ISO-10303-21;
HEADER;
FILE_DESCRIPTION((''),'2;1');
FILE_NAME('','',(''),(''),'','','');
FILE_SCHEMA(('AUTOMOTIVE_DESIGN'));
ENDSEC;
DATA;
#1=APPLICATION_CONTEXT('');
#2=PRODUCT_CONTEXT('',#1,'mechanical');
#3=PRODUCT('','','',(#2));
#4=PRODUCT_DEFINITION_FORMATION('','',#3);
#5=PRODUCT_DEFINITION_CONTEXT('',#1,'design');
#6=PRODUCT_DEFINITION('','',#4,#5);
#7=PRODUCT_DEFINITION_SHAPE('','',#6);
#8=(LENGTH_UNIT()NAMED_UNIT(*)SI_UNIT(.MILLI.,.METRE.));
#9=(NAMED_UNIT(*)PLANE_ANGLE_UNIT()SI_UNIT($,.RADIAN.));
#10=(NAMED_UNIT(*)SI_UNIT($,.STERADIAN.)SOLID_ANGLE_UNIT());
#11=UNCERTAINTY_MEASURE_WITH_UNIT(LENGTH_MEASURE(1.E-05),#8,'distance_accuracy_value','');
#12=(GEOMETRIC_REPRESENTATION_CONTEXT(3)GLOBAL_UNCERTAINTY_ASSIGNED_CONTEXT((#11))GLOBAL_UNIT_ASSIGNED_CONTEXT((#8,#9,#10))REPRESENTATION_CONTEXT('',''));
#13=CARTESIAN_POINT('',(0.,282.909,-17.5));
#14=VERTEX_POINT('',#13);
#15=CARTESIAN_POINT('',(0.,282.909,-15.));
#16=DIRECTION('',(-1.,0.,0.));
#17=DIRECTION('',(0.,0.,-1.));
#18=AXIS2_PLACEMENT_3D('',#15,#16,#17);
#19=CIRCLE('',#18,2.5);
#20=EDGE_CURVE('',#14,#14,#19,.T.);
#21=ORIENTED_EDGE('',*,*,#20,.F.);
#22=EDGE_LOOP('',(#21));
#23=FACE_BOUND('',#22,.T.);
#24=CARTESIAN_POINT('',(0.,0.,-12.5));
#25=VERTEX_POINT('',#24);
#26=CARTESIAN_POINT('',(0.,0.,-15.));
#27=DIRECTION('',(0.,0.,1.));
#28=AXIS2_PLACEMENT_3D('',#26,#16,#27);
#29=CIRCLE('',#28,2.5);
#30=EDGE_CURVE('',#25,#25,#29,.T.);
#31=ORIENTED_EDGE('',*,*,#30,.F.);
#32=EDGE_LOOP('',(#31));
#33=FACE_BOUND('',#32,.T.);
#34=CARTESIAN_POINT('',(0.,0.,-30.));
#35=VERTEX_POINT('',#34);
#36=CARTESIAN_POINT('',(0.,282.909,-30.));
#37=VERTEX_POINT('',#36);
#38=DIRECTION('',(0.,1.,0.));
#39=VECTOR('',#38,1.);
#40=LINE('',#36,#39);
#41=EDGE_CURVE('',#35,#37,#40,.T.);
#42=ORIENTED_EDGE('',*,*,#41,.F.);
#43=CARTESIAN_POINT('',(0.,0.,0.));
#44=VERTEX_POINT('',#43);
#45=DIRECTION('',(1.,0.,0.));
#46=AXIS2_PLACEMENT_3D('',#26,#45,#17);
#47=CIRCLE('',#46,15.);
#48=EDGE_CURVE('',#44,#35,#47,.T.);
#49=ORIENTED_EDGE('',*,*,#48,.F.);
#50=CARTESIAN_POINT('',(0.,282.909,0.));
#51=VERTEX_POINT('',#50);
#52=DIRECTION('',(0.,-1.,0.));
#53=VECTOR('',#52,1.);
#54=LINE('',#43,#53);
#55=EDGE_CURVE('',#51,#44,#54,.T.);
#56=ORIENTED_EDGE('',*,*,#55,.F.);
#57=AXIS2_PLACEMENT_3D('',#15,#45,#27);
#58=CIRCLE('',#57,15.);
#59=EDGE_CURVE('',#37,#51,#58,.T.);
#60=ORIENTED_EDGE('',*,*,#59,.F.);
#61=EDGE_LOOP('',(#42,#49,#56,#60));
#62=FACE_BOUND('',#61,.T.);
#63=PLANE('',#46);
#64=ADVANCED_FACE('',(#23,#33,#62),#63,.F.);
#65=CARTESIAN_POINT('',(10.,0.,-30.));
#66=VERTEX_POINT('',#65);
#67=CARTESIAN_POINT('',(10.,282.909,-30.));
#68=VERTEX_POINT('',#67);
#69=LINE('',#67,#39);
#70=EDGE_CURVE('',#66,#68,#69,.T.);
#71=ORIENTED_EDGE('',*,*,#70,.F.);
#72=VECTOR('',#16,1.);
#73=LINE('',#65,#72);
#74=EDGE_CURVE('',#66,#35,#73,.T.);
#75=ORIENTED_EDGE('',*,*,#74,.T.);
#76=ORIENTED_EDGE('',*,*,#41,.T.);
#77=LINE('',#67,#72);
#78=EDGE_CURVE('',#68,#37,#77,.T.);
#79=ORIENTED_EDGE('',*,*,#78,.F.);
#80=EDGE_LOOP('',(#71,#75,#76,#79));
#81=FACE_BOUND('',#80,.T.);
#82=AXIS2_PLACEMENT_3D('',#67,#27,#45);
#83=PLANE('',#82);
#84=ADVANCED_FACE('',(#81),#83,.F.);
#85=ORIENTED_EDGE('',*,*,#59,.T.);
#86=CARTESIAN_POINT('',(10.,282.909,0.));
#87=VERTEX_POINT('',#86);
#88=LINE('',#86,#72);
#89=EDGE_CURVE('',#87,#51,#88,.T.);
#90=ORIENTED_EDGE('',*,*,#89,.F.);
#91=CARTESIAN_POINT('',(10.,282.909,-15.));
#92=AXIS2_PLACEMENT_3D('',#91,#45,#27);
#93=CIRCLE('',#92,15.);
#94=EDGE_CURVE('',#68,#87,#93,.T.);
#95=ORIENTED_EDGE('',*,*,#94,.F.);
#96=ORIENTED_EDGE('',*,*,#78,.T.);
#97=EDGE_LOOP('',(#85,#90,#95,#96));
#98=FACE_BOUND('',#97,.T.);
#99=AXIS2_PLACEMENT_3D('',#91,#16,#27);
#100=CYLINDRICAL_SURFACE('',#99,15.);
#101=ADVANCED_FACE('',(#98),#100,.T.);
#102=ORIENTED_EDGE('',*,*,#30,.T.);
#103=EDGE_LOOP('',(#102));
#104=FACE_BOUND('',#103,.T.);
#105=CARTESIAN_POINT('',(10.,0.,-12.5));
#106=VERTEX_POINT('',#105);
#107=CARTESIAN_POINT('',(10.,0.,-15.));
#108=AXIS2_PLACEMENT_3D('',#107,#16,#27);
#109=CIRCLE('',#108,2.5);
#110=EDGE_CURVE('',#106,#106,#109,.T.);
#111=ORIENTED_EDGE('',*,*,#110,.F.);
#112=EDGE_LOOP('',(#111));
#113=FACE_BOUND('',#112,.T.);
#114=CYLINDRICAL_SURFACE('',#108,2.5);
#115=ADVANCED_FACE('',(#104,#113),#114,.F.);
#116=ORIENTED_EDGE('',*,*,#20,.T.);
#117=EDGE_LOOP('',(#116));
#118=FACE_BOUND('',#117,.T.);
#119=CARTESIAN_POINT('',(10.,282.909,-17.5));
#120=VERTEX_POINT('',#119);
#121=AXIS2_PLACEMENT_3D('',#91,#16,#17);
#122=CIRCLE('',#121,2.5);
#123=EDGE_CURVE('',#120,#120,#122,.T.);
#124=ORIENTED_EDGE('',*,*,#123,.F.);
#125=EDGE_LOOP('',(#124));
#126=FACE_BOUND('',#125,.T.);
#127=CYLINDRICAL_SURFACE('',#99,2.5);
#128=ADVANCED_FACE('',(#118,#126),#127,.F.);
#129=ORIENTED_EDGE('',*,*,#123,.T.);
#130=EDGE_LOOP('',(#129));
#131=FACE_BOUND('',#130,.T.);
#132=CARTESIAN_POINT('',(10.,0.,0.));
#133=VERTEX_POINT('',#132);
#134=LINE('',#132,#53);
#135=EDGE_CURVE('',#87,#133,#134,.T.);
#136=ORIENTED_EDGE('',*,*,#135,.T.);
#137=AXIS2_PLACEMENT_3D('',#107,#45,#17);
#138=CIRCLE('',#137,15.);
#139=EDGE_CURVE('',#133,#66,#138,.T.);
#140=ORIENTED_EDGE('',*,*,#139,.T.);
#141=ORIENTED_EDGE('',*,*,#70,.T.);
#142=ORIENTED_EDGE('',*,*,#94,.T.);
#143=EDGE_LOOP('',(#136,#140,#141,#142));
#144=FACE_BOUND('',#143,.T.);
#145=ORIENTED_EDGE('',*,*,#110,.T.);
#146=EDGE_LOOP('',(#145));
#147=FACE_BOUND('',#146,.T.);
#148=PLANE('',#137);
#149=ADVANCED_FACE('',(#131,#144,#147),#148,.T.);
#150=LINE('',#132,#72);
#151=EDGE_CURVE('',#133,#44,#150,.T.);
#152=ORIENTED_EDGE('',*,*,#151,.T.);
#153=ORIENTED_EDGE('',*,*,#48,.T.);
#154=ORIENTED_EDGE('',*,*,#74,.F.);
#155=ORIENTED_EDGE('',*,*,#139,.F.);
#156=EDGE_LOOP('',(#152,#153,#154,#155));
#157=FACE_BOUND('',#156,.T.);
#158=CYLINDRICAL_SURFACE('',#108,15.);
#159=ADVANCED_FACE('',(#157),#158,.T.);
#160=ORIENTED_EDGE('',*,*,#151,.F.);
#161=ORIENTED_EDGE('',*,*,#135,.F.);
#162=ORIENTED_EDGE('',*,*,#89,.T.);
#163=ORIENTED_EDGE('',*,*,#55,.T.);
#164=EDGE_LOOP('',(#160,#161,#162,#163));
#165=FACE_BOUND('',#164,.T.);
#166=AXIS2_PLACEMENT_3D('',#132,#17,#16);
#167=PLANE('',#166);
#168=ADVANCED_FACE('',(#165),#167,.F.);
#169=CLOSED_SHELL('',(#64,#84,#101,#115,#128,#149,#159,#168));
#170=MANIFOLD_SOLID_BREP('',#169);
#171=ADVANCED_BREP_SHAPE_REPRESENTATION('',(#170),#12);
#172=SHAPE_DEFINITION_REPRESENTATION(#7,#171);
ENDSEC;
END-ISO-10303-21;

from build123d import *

# Parameters (mm, degrees)
EXTRUDE_1_DEPTH     = 10
SKETCH_3_R          = 2.5
CUT_EXTRUDE_1_DEPTH = 10


with BuildPart() as part:
    # 草图2 → 凸台-拉伸1 (new body)
    with BuildSketch(Plane(origin=(0, 0, 0), x_dir=(0, 0, -1), z_dir=(1, 0, 0))):
        with BuildLine():
            Line((0, 0), (0, 282.909))
            ThreePointArc((0, 282.909), (15, 297.909), (30, 282.909))
            Line((30, 282.909), (30, 0))
            ThreePointArc((30, 0), (15, -15), (0, 0))
        make_face()
    extrude(amount=EXTRUDE_1_DEPTH)

    # 草图3 → 切除-拉伸1 (cut)
    with BuildSketch(Plane.ZY):
        with Locations((-15, 0)):
            Circle(SKETCH_3_R)
        with Locations(Location((-15, 282.909, 0), (0, 0, 180))):
            Circle(SKETCH_3_R)
    extrude(amount=-CUT_EXTRUDE_1_DEPTH, mode=Mode.SUBTRACT)


solid = part.part
